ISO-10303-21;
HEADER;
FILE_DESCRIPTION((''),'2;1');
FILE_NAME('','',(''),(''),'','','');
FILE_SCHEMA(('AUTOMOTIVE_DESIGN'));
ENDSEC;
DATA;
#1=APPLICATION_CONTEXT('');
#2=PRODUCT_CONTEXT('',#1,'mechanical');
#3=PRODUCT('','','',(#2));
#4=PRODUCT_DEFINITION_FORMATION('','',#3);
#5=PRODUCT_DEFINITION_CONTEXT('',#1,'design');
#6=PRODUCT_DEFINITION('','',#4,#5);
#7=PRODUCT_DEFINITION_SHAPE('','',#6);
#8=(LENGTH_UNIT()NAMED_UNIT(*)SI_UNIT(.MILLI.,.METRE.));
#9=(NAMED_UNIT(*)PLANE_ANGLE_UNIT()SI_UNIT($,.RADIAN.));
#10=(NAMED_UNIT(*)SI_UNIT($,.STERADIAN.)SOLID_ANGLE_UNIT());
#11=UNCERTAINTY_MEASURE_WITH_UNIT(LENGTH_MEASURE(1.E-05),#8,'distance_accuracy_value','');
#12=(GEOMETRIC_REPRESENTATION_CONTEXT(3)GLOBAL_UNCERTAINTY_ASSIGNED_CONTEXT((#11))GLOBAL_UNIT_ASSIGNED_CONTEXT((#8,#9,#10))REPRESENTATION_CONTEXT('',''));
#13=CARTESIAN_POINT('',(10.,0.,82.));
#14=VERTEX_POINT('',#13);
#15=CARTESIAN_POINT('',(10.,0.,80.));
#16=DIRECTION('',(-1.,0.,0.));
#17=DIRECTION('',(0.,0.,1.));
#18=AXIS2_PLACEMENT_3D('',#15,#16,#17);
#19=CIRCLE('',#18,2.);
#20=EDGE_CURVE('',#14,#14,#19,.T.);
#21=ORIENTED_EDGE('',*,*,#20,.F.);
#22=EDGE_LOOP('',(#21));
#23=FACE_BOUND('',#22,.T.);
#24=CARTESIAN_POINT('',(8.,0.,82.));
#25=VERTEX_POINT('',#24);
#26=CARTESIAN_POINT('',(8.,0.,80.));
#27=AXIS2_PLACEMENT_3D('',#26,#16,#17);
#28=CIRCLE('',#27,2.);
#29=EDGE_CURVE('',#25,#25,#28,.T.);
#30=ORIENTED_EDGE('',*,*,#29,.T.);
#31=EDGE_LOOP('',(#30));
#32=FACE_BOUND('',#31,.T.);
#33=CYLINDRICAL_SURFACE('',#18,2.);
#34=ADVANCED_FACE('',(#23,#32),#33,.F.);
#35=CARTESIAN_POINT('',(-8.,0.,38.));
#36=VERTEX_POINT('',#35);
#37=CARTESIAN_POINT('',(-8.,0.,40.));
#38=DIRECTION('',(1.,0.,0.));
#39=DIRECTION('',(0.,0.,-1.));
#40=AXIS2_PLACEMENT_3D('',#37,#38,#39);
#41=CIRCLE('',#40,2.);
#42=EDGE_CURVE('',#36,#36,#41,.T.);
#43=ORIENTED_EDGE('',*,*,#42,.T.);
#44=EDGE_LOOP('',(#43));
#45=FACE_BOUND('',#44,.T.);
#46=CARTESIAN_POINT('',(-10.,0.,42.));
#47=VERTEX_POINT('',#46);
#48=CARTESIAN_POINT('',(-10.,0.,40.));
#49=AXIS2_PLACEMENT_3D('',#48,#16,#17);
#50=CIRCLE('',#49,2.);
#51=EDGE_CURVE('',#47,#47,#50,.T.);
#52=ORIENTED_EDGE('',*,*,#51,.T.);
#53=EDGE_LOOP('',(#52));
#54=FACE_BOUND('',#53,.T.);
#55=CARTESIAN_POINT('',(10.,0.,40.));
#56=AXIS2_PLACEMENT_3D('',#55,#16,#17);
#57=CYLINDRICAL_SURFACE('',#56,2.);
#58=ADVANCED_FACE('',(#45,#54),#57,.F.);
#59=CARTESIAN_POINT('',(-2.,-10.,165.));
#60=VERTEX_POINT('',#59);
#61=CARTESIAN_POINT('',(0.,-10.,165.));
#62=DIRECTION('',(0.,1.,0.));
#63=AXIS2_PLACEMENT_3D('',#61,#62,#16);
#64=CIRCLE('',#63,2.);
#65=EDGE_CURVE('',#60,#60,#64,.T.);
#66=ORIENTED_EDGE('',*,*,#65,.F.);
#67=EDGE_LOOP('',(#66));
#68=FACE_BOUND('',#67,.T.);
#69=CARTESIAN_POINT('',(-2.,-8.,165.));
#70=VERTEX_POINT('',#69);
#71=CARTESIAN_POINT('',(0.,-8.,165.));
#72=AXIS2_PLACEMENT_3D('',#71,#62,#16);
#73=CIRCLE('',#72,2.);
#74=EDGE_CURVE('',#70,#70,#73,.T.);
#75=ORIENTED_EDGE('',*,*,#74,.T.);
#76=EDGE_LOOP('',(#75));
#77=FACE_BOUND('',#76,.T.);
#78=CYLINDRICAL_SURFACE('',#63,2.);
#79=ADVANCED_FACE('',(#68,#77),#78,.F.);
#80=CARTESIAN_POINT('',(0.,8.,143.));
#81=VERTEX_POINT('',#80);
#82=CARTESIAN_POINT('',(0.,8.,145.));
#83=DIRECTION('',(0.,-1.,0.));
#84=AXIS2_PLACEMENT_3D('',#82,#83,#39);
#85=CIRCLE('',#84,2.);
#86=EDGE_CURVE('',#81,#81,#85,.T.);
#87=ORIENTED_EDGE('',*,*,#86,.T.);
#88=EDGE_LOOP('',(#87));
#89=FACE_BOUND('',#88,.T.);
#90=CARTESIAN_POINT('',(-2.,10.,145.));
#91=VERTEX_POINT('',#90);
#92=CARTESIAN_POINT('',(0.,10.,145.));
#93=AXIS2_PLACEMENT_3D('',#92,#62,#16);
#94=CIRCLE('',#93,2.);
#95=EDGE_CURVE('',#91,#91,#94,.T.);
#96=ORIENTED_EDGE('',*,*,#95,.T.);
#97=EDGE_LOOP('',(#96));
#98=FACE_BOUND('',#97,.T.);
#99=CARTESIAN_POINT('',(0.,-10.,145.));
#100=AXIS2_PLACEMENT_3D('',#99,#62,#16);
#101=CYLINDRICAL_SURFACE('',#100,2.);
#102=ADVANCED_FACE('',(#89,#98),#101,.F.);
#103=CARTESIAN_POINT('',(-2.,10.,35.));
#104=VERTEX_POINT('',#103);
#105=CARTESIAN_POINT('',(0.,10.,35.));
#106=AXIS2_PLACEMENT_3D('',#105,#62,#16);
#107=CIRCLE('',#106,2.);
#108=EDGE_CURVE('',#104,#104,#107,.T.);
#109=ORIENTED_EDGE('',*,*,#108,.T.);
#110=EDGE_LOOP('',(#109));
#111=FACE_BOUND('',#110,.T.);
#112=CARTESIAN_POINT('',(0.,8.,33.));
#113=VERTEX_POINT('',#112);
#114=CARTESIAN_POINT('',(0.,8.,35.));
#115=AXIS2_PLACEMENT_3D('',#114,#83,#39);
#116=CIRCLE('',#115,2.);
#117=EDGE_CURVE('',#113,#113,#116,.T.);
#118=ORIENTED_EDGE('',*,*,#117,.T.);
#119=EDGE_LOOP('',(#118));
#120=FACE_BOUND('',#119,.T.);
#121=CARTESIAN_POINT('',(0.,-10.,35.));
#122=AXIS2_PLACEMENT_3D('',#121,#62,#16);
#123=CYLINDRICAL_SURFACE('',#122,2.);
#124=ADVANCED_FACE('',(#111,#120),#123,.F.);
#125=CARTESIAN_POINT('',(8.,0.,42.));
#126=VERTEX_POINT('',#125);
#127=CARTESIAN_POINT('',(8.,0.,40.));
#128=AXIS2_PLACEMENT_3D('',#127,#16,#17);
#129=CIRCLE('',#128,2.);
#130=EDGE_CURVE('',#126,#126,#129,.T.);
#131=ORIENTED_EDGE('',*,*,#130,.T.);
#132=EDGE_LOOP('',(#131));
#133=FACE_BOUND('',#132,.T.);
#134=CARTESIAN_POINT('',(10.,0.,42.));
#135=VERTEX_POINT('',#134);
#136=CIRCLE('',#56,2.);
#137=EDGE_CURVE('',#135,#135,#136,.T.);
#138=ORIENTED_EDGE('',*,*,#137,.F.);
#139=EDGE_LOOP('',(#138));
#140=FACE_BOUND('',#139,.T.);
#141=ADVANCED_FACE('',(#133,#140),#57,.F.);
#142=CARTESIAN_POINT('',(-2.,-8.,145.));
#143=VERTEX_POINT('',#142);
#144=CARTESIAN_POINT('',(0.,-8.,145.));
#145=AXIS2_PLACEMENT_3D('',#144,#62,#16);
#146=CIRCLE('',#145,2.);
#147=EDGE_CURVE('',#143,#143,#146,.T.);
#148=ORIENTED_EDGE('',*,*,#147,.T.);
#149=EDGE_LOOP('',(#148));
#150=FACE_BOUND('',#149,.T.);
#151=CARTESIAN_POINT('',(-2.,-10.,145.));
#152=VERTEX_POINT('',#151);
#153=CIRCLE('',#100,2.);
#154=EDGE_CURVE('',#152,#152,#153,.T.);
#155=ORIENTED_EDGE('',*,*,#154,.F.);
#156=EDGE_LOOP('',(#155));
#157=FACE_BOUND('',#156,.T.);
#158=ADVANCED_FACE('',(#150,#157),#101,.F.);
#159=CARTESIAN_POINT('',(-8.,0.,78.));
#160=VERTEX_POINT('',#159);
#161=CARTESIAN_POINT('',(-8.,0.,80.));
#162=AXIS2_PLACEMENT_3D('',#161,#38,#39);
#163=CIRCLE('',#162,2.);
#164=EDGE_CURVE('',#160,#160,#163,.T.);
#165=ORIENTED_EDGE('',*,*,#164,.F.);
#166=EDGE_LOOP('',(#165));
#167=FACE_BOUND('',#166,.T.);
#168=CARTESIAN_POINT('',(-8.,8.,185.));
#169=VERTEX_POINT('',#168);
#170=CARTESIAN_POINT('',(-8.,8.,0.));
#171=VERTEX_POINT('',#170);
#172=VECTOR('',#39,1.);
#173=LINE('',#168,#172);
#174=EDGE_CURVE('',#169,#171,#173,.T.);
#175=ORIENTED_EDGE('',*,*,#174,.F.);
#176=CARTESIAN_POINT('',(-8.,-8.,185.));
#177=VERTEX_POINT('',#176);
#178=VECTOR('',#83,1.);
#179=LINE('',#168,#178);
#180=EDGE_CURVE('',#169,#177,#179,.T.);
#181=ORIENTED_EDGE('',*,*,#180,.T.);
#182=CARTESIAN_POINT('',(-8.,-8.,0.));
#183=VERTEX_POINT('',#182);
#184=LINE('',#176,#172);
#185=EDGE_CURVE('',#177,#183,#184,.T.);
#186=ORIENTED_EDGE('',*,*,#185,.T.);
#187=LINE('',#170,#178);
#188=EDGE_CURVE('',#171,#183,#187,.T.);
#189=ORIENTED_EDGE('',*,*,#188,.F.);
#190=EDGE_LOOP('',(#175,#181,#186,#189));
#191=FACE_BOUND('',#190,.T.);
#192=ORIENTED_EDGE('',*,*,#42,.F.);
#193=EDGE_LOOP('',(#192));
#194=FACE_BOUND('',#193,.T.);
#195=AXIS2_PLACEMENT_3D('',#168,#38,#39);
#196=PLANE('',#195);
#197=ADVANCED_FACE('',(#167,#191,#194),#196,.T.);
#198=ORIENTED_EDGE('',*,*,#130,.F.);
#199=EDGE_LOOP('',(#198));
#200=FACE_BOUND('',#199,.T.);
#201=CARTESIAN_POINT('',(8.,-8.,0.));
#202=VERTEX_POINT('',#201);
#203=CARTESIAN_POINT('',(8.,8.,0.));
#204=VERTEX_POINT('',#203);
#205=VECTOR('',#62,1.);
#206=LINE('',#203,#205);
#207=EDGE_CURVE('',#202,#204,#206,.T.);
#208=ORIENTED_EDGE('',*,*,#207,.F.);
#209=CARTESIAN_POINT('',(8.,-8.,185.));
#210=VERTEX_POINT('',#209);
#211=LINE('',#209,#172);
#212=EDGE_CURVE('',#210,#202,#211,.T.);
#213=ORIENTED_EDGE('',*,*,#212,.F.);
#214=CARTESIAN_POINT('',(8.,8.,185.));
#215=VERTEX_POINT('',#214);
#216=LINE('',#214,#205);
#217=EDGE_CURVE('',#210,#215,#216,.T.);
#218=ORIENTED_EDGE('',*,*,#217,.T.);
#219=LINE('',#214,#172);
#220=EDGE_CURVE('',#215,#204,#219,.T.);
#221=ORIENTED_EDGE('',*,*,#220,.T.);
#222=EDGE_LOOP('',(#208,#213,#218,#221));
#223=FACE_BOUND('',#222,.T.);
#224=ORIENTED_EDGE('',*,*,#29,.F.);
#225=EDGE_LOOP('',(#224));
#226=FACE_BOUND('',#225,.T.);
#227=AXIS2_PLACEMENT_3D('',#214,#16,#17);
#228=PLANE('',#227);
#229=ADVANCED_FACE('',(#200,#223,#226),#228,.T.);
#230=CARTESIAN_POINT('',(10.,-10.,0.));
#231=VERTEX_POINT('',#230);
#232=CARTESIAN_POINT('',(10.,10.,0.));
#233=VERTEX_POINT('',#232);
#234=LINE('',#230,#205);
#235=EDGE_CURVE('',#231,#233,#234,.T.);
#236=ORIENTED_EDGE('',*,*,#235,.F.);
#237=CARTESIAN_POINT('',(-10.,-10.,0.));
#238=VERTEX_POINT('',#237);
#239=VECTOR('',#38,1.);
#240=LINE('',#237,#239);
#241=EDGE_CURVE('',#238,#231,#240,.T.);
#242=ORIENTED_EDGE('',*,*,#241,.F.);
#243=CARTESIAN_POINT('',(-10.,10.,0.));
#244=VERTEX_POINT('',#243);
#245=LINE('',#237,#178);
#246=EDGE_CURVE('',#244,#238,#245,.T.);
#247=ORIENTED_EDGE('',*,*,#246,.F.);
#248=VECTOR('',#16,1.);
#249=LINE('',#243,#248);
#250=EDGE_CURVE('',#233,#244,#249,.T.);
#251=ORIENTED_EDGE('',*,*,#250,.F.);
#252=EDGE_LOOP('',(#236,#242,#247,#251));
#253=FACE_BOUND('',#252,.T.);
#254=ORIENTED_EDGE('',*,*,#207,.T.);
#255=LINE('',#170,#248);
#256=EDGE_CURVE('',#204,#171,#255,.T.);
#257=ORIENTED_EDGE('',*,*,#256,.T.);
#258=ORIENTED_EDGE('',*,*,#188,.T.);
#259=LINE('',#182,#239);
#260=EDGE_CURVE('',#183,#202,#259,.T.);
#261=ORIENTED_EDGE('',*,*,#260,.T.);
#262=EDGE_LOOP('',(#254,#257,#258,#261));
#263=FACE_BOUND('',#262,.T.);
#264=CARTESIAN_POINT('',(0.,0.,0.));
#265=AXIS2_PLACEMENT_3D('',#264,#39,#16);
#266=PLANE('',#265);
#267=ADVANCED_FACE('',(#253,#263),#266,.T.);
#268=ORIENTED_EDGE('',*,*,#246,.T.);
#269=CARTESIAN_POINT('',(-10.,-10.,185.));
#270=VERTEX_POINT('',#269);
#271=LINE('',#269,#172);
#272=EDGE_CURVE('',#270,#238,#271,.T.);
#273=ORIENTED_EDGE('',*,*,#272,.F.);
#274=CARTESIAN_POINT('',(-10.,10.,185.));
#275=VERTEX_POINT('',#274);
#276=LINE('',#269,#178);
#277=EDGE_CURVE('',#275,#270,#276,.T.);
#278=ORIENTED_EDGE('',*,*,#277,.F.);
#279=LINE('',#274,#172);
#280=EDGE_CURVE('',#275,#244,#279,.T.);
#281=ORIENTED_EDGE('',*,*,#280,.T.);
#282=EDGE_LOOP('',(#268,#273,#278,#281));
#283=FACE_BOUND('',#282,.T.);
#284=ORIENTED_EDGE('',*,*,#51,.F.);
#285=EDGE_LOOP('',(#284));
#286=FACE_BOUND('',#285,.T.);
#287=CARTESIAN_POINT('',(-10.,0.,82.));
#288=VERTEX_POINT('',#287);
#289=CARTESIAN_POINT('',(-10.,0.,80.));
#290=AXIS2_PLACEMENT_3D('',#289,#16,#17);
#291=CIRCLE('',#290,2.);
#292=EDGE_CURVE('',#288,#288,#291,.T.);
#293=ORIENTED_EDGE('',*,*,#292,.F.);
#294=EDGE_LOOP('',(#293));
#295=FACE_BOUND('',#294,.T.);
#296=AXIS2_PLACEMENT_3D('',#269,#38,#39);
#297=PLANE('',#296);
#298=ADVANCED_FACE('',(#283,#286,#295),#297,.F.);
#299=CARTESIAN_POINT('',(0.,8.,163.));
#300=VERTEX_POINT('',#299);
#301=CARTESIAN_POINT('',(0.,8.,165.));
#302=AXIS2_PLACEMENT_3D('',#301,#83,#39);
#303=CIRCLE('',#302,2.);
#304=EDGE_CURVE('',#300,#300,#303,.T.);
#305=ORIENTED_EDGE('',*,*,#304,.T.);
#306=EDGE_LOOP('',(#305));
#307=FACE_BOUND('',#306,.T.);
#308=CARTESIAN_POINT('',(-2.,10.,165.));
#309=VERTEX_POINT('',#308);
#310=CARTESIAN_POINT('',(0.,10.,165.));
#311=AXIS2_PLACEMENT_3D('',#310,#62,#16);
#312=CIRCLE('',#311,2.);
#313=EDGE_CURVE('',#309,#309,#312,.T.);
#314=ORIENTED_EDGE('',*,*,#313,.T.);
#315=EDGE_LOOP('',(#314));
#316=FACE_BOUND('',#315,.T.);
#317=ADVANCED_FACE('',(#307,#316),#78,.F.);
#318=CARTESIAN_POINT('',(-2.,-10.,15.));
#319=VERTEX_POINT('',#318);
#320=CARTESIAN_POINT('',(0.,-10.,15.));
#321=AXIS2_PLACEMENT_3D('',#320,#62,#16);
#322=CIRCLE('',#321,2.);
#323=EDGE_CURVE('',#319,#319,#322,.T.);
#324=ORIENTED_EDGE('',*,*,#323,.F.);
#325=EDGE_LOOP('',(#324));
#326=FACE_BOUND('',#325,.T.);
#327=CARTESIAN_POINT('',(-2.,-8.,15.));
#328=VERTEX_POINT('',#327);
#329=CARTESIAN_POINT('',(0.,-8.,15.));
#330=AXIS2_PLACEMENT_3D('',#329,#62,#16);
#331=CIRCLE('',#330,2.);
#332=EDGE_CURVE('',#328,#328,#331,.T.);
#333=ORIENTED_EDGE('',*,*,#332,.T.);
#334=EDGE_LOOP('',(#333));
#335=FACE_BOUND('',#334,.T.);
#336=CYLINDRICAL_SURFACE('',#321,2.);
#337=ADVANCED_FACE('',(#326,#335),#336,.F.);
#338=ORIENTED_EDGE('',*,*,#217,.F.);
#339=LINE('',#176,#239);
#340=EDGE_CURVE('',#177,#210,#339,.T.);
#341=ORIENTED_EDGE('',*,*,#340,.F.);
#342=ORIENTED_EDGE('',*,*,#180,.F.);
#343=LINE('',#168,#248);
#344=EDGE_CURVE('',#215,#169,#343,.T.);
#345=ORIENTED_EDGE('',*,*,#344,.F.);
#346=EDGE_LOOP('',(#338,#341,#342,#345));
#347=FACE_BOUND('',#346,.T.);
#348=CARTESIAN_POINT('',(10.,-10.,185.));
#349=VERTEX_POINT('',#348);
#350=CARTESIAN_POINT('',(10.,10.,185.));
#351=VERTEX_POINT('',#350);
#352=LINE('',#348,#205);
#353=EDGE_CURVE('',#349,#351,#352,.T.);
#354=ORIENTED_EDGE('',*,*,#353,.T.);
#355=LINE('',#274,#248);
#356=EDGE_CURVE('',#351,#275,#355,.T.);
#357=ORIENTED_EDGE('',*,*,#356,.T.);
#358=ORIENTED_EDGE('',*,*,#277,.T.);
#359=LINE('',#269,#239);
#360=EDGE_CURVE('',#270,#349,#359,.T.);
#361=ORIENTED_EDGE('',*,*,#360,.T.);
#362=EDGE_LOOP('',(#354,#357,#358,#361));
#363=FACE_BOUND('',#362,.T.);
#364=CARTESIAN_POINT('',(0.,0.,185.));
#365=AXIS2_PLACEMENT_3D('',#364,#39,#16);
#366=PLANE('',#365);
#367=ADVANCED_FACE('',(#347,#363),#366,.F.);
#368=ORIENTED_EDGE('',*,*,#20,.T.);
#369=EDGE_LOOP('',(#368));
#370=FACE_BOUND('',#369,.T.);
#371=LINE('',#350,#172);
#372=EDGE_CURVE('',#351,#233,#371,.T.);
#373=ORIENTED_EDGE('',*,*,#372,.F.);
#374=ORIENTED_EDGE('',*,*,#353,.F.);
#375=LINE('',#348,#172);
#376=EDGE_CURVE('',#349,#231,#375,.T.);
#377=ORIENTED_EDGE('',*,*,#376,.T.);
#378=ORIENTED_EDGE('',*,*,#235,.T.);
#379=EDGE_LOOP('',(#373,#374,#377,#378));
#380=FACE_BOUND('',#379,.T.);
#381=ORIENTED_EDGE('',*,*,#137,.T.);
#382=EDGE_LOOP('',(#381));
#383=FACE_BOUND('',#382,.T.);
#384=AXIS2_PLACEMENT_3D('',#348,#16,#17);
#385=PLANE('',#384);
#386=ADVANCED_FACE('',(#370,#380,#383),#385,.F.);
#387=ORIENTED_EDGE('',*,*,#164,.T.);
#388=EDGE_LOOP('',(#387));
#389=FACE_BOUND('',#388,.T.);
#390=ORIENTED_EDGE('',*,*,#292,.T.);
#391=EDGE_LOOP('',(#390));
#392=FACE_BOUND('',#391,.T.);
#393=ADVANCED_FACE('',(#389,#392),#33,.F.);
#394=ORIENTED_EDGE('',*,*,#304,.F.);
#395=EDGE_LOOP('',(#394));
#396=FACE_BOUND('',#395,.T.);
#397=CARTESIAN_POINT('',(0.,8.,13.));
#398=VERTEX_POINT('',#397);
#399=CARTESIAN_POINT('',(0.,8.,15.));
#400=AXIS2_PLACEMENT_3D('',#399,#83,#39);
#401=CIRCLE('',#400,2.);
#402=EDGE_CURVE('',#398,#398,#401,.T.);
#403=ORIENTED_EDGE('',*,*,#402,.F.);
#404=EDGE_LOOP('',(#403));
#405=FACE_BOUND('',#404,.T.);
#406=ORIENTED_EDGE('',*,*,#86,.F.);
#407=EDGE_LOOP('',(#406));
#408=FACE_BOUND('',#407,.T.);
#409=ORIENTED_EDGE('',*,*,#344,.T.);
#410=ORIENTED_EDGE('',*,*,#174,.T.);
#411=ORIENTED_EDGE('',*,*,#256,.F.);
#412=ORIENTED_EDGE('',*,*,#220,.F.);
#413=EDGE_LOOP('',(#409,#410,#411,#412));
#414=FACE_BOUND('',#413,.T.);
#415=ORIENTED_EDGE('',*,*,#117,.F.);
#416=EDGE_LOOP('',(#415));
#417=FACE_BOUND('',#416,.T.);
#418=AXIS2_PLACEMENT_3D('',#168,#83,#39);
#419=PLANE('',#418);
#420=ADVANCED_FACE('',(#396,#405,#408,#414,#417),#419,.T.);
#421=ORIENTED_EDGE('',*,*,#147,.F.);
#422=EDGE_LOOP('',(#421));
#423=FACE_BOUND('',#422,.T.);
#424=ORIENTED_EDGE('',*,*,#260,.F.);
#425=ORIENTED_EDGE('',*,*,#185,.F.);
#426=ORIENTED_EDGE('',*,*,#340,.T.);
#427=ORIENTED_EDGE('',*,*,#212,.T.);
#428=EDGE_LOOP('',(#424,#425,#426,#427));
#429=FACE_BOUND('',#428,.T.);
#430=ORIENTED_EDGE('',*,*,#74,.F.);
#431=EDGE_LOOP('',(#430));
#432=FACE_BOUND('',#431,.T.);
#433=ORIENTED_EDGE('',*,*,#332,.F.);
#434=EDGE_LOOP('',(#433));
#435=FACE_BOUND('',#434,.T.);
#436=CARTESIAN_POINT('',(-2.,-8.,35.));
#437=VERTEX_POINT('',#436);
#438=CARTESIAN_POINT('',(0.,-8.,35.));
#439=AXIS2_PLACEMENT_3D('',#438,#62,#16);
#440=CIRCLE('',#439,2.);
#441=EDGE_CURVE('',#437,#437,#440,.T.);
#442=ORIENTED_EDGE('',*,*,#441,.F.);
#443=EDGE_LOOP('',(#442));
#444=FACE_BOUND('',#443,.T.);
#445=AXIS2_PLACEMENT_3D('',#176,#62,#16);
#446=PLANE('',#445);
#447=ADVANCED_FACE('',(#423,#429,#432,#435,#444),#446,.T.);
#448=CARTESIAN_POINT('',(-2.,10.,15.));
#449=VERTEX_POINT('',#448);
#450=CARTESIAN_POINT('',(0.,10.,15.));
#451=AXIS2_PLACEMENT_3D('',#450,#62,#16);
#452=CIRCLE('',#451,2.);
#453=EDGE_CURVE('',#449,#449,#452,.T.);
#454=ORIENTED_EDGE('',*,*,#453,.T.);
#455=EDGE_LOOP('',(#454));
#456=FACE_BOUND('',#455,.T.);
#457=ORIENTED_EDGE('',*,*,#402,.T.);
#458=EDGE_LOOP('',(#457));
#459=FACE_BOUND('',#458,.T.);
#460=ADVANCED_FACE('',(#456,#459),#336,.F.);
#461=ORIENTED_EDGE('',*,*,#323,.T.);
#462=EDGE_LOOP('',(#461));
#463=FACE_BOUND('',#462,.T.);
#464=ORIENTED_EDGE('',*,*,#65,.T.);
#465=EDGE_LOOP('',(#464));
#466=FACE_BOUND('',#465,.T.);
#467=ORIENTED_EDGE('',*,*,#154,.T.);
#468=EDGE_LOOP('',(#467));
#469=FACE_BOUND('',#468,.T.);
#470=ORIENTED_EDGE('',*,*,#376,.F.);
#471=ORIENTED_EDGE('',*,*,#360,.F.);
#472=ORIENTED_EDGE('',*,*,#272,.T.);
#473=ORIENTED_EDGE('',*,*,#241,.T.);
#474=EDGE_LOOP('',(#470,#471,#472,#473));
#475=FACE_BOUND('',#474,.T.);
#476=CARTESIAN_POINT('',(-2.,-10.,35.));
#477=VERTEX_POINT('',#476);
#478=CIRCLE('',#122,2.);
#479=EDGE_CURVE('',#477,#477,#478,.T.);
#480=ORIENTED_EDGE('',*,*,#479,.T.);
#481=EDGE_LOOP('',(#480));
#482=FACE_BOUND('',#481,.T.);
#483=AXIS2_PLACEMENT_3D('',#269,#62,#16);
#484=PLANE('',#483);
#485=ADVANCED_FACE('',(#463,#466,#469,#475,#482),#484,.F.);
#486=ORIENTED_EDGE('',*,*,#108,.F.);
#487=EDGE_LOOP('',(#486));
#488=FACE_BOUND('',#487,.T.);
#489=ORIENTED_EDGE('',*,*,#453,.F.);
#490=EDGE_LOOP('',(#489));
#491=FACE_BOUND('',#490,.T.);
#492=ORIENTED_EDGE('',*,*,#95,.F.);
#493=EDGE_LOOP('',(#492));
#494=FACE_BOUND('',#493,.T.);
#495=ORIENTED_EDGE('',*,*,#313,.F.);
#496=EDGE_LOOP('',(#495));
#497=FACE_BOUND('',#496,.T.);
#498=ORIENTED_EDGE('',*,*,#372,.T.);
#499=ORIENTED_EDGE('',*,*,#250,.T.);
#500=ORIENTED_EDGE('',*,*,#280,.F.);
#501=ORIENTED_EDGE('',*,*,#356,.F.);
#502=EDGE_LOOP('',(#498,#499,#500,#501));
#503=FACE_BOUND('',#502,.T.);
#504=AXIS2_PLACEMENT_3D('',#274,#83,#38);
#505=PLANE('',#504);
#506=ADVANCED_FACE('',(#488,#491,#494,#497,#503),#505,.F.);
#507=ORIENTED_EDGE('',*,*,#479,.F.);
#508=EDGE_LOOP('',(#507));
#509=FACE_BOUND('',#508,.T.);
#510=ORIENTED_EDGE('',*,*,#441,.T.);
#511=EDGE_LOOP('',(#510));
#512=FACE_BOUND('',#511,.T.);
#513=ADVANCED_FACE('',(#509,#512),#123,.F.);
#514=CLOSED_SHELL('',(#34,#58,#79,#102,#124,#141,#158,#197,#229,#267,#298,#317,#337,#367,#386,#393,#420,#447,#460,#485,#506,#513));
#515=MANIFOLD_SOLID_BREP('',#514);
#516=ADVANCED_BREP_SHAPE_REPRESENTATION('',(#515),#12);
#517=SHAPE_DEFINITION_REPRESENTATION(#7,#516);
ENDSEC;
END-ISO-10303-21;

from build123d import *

# Parameters (mm, degrees)
SKETCH_1_W          = 20
SKETCH_1_H          = 20
SKETCH_1_W_2        = 16
SKETCH_1_H_2        = 16
EXTRUDE_1_DEPTH     = 185
SKETCH_2_R          = 2
CUT_EXTRUDE_1_DEPTH = 187.346451536
SKETCH_3_R          = 2
CUT_EXTRUDE_2_DEPTH = 187.346451536


with BuildPart() as part:
    # 草图1 → 凸台-拉伸1 (new body)
    with BuildSketch(Plane.XY):
        Rectangle(SKETCH_1_W, SKETCH_1_H)
        Rectangle(SKETCH_1_W_2, SKETCH_1_H_2, mode=Mode.SUBTRACT)
    extrude(amount=EXTRUDE_1_DEPTH)

    # 草图2 → 切除-拉伸1 (cut, through all)
    with BuildSketch(Plane(origin=(0, 10, 0), x_dir=(1, 0, 0), z_dir=(0, 1, 0))):
        with Locations(Location((0, -15, 0), (0, 0, 180))):
            Circle(SKETCH_2_R)
        with Locations(Location((0, -35, 0), (0, 0, 180))):
            Circle(SKETCH_2_R)
        with Locations(Location((0, -165, 0), (0, 0, 180))):
            Circle(SKETCH_2_R)
        with Locations(Location((0, -145, 0), (0, 0, 180))):
            Circle(SKETCH_2_R)
    extrude(amount=-CUT_EXTRUDE_1_DEPTH, mode=Mode.SUBTRACT)

    # 草图3 → 切除-拉伸2 (cut, through all)
    with BuildSketch(Plane.ZY.offset(10)):
        with Locations((40, 0)):
            Circle(SKETCH_3_R)
        with Locations((80, 0)):
            Circle(SKETCH_3_R)
    extrude(amount=-CUT_EXTRUDE_2_DEPTH, mode=Mode.SUBTRACT)


solid = part.part
